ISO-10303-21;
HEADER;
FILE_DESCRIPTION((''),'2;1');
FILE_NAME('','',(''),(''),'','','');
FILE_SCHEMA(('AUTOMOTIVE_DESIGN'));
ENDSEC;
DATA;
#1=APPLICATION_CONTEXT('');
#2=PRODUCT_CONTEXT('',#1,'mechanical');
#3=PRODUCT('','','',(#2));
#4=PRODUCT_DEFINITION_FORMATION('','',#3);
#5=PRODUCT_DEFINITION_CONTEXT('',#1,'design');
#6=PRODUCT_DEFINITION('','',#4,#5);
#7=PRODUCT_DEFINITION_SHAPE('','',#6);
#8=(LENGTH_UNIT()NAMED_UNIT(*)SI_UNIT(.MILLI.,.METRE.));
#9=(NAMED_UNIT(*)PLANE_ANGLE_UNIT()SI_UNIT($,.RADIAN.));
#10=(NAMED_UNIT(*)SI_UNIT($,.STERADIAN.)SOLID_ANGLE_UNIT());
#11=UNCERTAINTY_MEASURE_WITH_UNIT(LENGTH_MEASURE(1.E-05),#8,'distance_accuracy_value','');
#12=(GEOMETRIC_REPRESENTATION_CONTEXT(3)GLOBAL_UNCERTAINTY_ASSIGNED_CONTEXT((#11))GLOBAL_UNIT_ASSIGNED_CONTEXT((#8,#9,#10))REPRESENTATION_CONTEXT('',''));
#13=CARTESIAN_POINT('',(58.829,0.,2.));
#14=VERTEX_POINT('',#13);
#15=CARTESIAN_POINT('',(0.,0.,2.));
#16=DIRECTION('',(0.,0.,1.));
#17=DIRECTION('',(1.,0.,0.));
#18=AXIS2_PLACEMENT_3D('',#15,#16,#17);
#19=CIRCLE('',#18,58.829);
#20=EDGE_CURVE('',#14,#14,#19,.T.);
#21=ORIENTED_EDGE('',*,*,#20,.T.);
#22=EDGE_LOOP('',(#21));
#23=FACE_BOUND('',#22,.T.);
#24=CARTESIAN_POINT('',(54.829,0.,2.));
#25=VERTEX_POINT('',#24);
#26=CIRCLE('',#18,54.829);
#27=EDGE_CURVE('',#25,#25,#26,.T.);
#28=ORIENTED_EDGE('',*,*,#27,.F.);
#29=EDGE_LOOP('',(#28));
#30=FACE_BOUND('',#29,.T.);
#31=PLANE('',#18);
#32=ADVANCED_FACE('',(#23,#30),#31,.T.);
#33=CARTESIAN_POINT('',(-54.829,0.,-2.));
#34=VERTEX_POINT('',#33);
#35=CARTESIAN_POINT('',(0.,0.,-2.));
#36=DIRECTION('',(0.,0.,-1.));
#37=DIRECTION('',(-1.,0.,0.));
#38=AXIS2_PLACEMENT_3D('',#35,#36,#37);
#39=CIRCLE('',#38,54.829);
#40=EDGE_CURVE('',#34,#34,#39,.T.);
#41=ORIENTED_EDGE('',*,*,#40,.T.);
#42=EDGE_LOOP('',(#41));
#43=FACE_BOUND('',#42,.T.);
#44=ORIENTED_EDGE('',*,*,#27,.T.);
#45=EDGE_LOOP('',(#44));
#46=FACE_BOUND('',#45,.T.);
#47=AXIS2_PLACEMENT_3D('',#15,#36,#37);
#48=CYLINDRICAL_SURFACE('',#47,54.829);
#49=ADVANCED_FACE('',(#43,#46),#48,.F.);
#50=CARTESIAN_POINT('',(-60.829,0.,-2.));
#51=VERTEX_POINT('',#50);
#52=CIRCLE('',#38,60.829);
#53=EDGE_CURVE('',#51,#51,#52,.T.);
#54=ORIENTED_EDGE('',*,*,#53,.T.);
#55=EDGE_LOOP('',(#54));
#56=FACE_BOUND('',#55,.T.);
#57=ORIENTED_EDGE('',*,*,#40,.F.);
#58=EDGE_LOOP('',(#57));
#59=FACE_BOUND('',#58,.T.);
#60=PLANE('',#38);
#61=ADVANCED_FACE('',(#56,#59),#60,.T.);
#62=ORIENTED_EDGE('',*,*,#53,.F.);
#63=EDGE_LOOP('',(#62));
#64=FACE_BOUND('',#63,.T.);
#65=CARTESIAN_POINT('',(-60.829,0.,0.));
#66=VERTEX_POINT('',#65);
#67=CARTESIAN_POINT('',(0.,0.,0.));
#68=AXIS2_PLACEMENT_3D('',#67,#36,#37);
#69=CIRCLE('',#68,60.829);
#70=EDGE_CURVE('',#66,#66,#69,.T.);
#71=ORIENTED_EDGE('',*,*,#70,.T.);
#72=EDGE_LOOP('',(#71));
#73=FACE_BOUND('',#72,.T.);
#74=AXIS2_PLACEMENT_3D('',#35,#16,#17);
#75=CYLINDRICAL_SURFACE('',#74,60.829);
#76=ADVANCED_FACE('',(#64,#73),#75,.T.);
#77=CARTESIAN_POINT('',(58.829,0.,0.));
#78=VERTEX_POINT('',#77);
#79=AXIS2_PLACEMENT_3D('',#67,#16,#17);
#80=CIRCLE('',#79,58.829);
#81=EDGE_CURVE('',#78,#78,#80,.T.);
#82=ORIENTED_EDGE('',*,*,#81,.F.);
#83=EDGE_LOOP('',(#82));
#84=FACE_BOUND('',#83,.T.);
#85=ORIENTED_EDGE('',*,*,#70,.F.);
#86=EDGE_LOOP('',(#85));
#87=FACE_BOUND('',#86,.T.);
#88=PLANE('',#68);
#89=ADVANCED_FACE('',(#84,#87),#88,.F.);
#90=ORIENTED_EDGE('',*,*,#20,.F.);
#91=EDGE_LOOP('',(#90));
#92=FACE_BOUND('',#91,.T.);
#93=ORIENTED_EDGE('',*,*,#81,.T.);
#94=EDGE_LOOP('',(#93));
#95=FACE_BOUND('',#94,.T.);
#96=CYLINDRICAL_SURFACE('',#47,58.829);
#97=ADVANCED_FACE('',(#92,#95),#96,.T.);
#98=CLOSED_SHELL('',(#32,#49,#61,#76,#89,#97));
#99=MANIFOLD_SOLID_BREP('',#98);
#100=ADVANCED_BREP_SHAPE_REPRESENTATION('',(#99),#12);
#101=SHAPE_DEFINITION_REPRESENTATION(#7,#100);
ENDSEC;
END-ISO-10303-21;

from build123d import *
from build123d.topology import SkipClean

# Parameters (mm, degrees)
SKETCH1_R           = 58.829
SKETCH1_R_2         = 54.829
BOSS_EXTRUDE1_DEPTH = 2
BOSS_EXTRUDE2_START = 2
SKETCH3_R           = 60.829
SKETCH3_R_2         = 54.829
BOSS_EXTRUDE2_DEPTH = 2


with BuildPart() as part:
    # Sketch1 → Boss-Extrude1 (new body)
    with BuildSketch(Plane.XY):
        Circle(SKETCH1_R)
        Circle(SKETCH1_R_2, mode=Mode.SUBTRACT)
    extrude(amount=BOSS_EXTRUDE1_DEPTH)

    # Sketch3 → Boss-Extrude2 (add)
    with SkipClean():  # the faces are left unmerged after this step: merging them gives an invalid solid
        with BuildSketch(Plane(origin=(0, 0, 0), x_dir=(-1, 0, 0), z_dir=(0, 0, -1)).offset(BOSS_EXTRUDE2_START)):
            Circle(SKETCH3_R)
            Circle(SKETCH3_R_2, mode=Mode.SUBTRACT)
        extrude(amount=-BOSS_EXTRUDE2_DEPTH)


solid = part.part
